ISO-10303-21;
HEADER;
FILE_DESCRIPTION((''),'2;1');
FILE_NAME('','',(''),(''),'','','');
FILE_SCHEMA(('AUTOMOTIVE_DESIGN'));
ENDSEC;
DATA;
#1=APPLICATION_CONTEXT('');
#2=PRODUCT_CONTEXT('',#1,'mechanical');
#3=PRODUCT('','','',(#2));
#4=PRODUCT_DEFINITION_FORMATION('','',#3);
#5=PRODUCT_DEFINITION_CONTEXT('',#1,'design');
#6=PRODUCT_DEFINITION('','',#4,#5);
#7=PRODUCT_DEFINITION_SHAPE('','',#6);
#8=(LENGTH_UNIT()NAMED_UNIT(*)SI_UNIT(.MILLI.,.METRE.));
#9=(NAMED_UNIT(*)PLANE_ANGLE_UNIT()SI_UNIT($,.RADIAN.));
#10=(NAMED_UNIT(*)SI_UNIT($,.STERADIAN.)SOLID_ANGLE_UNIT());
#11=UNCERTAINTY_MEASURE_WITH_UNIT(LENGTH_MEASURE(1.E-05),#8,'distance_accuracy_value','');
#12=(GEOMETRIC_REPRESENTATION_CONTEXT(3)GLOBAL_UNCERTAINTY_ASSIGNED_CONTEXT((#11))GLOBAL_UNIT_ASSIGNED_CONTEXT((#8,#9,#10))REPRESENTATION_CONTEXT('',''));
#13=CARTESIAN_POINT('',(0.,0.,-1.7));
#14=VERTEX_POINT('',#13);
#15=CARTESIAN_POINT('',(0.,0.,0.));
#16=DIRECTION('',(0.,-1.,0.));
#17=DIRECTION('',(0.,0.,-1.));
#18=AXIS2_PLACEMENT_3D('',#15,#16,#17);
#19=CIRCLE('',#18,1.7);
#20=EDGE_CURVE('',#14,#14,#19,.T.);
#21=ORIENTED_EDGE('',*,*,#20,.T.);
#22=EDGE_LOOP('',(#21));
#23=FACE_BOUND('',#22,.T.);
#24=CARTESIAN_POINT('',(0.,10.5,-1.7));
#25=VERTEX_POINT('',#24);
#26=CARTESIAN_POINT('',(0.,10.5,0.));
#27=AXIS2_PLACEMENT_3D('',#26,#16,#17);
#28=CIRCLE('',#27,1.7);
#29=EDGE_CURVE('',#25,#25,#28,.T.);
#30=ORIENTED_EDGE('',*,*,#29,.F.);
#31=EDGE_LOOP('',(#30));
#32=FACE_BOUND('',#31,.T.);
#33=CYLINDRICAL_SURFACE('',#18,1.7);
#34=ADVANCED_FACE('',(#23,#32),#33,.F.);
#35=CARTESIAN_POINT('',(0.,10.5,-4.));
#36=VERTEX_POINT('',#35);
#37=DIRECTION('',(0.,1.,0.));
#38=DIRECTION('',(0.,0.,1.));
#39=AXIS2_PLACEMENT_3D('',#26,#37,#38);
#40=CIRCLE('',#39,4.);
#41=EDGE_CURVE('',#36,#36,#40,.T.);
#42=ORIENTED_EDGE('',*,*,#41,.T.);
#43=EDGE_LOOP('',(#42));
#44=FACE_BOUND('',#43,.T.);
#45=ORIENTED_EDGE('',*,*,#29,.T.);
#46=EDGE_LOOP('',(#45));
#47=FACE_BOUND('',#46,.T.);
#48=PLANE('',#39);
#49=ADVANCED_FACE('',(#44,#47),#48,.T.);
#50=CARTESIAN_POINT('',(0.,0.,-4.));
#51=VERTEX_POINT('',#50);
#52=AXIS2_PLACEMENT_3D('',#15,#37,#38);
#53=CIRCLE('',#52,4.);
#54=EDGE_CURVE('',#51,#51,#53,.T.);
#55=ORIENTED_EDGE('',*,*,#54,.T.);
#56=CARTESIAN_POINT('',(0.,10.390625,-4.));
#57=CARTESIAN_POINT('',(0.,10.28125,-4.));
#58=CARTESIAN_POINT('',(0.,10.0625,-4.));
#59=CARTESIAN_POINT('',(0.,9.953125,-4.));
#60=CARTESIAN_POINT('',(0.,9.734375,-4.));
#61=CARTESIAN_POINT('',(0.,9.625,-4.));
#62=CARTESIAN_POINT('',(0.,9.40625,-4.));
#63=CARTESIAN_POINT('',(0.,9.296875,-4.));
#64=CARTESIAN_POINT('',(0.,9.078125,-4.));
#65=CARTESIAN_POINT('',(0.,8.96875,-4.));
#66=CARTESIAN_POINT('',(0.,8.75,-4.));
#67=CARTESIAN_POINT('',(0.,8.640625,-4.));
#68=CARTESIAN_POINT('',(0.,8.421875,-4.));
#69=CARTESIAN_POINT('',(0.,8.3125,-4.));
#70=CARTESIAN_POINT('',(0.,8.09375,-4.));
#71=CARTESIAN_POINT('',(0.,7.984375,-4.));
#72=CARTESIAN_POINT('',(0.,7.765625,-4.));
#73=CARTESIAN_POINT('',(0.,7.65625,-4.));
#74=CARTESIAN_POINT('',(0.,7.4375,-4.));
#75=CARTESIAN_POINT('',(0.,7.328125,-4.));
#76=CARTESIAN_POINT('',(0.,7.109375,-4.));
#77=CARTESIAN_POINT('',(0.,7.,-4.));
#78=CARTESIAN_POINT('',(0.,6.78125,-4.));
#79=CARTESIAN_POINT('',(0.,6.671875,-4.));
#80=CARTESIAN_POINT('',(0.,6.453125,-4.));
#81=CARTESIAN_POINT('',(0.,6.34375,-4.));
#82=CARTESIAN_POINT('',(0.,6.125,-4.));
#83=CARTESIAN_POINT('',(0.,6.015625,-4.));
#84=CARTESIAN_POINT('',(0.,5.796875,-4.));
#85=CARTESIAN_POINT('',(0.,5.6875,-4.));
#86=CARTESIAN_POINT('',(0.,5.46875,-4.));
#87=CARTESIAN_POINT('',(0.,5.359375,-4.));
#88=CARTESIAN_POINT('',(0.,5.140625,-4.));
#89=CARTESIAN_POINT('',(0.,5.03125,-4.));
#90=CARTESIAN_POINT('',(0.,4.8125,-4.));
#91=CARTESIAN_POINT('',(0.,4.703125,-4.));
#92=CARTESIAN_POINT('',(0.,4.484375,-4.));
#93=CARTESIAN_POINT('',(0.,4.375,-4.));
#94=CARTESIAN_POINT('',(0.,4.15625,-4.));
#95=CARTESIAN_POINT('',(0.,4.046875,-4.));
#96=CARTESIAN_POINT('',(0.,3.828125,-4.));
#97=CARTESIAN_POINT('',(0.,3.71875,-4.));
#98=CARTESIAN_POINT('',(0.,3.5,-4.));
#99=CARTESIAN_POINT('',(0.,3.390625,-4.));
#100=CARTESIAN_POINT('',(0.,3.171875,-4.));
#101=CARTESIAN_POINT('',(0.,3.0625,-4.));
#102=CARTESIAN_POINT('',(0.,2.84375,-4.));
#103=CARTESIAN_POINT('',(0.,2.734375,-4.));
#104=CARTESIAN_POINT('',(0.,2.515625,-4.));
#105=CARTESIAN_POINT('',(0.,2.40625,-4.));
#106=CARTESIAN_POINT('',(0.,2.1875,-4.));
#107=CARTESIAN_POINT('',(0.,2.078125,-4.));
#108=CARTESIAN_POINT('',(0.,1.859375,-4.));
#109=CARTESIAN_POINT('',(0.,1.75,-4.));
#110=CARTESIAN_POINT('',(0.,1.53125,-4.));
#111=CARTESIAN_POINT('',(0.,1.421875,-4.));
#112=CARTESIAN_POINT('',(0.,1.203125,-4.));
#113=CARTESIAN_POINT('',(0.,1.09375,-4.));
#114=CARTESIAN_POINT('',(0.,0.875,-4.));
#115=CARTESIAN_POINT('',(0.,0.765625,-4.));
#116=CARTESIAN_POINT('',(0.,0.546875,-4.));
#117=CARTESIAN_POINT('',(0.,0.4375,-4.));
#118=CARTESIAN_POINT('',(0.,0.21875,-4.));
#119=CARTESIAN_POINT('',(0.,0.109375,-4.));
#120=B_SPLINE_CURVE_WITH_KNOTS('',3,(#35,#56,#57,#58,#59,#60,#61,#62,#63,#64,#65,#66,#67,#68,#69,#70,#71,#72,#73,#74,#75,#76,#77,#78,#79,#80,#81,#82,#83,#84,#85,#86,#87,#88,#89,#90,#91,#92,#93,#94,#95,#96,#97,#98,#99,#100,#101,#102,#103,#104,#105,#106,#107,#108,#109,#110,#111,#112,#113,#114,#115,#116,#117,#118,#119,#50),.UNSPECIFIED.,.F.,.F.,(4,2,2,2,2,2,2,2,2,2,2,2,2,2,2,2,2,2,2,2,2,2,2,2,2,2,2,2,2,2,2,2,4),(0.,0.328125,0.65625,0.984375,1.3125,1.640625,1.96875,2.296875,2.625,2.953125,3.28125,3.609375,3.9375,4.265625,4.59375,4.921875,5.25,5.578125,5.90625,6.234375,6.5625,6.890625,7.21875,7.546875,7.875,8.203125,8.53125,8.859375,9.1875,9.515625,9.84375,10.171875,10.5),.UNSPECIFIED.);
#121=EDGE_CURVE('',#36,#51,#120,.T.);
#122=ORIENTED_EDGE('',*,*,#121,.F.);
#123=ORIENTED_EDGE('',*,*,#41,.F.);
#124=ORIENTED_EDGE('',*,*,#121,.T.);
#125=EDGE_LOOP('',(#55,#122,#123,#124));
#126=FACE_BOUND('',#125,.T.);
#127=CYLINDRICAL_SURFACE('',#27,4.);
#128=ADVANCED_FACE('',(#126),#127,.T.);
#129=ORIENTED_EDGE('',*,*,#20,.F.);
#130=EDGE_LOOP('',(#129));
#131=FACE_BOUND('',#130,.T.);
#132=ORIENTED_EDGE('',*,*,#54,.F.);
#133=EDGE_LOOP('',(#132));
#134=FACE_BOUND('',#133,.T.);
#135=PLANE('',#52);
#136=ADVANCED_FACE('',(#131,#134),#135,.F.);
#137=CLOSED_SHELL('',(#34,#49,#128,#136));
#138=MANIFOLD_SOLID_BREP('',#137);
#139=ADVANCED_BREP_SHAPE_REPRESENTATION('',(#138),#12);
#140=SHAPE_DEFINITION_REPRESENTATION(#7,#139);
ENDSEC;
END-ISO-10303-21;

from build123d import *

# Parameters (mm, degrees)
SKETCH_1_R        = 4
EXTRUDE_1_DEPTH   = 10.5
HOLE_WIZARD_M31_D = 3.4


with BuildPart() as part:
    # Эскиз1 → Бобышка-Вытянуть1 (new body)
    with BuildSketch(Plane(origin=(0, 0, 0), x_dir=(1, 0, 0), z_dir=(0, 1, 0))):
        with Locations(Location((0, 0, 0), (0, 0, 90))):
            Circle(SKETCH_1_R)
    extrude(amount=EXTRUDE_1_DEPTH)

    # Отверстие с зазором M31 (through all)
    with Locations(Plane(origin=(0, 0, 0), x_dir=(-1, 0, 0), z_dir=(0, -1, 0))):
        with Locations((0, 0)):
            Hole(HOLE_WIZARD_M31_D / 2)


solid = part.part
